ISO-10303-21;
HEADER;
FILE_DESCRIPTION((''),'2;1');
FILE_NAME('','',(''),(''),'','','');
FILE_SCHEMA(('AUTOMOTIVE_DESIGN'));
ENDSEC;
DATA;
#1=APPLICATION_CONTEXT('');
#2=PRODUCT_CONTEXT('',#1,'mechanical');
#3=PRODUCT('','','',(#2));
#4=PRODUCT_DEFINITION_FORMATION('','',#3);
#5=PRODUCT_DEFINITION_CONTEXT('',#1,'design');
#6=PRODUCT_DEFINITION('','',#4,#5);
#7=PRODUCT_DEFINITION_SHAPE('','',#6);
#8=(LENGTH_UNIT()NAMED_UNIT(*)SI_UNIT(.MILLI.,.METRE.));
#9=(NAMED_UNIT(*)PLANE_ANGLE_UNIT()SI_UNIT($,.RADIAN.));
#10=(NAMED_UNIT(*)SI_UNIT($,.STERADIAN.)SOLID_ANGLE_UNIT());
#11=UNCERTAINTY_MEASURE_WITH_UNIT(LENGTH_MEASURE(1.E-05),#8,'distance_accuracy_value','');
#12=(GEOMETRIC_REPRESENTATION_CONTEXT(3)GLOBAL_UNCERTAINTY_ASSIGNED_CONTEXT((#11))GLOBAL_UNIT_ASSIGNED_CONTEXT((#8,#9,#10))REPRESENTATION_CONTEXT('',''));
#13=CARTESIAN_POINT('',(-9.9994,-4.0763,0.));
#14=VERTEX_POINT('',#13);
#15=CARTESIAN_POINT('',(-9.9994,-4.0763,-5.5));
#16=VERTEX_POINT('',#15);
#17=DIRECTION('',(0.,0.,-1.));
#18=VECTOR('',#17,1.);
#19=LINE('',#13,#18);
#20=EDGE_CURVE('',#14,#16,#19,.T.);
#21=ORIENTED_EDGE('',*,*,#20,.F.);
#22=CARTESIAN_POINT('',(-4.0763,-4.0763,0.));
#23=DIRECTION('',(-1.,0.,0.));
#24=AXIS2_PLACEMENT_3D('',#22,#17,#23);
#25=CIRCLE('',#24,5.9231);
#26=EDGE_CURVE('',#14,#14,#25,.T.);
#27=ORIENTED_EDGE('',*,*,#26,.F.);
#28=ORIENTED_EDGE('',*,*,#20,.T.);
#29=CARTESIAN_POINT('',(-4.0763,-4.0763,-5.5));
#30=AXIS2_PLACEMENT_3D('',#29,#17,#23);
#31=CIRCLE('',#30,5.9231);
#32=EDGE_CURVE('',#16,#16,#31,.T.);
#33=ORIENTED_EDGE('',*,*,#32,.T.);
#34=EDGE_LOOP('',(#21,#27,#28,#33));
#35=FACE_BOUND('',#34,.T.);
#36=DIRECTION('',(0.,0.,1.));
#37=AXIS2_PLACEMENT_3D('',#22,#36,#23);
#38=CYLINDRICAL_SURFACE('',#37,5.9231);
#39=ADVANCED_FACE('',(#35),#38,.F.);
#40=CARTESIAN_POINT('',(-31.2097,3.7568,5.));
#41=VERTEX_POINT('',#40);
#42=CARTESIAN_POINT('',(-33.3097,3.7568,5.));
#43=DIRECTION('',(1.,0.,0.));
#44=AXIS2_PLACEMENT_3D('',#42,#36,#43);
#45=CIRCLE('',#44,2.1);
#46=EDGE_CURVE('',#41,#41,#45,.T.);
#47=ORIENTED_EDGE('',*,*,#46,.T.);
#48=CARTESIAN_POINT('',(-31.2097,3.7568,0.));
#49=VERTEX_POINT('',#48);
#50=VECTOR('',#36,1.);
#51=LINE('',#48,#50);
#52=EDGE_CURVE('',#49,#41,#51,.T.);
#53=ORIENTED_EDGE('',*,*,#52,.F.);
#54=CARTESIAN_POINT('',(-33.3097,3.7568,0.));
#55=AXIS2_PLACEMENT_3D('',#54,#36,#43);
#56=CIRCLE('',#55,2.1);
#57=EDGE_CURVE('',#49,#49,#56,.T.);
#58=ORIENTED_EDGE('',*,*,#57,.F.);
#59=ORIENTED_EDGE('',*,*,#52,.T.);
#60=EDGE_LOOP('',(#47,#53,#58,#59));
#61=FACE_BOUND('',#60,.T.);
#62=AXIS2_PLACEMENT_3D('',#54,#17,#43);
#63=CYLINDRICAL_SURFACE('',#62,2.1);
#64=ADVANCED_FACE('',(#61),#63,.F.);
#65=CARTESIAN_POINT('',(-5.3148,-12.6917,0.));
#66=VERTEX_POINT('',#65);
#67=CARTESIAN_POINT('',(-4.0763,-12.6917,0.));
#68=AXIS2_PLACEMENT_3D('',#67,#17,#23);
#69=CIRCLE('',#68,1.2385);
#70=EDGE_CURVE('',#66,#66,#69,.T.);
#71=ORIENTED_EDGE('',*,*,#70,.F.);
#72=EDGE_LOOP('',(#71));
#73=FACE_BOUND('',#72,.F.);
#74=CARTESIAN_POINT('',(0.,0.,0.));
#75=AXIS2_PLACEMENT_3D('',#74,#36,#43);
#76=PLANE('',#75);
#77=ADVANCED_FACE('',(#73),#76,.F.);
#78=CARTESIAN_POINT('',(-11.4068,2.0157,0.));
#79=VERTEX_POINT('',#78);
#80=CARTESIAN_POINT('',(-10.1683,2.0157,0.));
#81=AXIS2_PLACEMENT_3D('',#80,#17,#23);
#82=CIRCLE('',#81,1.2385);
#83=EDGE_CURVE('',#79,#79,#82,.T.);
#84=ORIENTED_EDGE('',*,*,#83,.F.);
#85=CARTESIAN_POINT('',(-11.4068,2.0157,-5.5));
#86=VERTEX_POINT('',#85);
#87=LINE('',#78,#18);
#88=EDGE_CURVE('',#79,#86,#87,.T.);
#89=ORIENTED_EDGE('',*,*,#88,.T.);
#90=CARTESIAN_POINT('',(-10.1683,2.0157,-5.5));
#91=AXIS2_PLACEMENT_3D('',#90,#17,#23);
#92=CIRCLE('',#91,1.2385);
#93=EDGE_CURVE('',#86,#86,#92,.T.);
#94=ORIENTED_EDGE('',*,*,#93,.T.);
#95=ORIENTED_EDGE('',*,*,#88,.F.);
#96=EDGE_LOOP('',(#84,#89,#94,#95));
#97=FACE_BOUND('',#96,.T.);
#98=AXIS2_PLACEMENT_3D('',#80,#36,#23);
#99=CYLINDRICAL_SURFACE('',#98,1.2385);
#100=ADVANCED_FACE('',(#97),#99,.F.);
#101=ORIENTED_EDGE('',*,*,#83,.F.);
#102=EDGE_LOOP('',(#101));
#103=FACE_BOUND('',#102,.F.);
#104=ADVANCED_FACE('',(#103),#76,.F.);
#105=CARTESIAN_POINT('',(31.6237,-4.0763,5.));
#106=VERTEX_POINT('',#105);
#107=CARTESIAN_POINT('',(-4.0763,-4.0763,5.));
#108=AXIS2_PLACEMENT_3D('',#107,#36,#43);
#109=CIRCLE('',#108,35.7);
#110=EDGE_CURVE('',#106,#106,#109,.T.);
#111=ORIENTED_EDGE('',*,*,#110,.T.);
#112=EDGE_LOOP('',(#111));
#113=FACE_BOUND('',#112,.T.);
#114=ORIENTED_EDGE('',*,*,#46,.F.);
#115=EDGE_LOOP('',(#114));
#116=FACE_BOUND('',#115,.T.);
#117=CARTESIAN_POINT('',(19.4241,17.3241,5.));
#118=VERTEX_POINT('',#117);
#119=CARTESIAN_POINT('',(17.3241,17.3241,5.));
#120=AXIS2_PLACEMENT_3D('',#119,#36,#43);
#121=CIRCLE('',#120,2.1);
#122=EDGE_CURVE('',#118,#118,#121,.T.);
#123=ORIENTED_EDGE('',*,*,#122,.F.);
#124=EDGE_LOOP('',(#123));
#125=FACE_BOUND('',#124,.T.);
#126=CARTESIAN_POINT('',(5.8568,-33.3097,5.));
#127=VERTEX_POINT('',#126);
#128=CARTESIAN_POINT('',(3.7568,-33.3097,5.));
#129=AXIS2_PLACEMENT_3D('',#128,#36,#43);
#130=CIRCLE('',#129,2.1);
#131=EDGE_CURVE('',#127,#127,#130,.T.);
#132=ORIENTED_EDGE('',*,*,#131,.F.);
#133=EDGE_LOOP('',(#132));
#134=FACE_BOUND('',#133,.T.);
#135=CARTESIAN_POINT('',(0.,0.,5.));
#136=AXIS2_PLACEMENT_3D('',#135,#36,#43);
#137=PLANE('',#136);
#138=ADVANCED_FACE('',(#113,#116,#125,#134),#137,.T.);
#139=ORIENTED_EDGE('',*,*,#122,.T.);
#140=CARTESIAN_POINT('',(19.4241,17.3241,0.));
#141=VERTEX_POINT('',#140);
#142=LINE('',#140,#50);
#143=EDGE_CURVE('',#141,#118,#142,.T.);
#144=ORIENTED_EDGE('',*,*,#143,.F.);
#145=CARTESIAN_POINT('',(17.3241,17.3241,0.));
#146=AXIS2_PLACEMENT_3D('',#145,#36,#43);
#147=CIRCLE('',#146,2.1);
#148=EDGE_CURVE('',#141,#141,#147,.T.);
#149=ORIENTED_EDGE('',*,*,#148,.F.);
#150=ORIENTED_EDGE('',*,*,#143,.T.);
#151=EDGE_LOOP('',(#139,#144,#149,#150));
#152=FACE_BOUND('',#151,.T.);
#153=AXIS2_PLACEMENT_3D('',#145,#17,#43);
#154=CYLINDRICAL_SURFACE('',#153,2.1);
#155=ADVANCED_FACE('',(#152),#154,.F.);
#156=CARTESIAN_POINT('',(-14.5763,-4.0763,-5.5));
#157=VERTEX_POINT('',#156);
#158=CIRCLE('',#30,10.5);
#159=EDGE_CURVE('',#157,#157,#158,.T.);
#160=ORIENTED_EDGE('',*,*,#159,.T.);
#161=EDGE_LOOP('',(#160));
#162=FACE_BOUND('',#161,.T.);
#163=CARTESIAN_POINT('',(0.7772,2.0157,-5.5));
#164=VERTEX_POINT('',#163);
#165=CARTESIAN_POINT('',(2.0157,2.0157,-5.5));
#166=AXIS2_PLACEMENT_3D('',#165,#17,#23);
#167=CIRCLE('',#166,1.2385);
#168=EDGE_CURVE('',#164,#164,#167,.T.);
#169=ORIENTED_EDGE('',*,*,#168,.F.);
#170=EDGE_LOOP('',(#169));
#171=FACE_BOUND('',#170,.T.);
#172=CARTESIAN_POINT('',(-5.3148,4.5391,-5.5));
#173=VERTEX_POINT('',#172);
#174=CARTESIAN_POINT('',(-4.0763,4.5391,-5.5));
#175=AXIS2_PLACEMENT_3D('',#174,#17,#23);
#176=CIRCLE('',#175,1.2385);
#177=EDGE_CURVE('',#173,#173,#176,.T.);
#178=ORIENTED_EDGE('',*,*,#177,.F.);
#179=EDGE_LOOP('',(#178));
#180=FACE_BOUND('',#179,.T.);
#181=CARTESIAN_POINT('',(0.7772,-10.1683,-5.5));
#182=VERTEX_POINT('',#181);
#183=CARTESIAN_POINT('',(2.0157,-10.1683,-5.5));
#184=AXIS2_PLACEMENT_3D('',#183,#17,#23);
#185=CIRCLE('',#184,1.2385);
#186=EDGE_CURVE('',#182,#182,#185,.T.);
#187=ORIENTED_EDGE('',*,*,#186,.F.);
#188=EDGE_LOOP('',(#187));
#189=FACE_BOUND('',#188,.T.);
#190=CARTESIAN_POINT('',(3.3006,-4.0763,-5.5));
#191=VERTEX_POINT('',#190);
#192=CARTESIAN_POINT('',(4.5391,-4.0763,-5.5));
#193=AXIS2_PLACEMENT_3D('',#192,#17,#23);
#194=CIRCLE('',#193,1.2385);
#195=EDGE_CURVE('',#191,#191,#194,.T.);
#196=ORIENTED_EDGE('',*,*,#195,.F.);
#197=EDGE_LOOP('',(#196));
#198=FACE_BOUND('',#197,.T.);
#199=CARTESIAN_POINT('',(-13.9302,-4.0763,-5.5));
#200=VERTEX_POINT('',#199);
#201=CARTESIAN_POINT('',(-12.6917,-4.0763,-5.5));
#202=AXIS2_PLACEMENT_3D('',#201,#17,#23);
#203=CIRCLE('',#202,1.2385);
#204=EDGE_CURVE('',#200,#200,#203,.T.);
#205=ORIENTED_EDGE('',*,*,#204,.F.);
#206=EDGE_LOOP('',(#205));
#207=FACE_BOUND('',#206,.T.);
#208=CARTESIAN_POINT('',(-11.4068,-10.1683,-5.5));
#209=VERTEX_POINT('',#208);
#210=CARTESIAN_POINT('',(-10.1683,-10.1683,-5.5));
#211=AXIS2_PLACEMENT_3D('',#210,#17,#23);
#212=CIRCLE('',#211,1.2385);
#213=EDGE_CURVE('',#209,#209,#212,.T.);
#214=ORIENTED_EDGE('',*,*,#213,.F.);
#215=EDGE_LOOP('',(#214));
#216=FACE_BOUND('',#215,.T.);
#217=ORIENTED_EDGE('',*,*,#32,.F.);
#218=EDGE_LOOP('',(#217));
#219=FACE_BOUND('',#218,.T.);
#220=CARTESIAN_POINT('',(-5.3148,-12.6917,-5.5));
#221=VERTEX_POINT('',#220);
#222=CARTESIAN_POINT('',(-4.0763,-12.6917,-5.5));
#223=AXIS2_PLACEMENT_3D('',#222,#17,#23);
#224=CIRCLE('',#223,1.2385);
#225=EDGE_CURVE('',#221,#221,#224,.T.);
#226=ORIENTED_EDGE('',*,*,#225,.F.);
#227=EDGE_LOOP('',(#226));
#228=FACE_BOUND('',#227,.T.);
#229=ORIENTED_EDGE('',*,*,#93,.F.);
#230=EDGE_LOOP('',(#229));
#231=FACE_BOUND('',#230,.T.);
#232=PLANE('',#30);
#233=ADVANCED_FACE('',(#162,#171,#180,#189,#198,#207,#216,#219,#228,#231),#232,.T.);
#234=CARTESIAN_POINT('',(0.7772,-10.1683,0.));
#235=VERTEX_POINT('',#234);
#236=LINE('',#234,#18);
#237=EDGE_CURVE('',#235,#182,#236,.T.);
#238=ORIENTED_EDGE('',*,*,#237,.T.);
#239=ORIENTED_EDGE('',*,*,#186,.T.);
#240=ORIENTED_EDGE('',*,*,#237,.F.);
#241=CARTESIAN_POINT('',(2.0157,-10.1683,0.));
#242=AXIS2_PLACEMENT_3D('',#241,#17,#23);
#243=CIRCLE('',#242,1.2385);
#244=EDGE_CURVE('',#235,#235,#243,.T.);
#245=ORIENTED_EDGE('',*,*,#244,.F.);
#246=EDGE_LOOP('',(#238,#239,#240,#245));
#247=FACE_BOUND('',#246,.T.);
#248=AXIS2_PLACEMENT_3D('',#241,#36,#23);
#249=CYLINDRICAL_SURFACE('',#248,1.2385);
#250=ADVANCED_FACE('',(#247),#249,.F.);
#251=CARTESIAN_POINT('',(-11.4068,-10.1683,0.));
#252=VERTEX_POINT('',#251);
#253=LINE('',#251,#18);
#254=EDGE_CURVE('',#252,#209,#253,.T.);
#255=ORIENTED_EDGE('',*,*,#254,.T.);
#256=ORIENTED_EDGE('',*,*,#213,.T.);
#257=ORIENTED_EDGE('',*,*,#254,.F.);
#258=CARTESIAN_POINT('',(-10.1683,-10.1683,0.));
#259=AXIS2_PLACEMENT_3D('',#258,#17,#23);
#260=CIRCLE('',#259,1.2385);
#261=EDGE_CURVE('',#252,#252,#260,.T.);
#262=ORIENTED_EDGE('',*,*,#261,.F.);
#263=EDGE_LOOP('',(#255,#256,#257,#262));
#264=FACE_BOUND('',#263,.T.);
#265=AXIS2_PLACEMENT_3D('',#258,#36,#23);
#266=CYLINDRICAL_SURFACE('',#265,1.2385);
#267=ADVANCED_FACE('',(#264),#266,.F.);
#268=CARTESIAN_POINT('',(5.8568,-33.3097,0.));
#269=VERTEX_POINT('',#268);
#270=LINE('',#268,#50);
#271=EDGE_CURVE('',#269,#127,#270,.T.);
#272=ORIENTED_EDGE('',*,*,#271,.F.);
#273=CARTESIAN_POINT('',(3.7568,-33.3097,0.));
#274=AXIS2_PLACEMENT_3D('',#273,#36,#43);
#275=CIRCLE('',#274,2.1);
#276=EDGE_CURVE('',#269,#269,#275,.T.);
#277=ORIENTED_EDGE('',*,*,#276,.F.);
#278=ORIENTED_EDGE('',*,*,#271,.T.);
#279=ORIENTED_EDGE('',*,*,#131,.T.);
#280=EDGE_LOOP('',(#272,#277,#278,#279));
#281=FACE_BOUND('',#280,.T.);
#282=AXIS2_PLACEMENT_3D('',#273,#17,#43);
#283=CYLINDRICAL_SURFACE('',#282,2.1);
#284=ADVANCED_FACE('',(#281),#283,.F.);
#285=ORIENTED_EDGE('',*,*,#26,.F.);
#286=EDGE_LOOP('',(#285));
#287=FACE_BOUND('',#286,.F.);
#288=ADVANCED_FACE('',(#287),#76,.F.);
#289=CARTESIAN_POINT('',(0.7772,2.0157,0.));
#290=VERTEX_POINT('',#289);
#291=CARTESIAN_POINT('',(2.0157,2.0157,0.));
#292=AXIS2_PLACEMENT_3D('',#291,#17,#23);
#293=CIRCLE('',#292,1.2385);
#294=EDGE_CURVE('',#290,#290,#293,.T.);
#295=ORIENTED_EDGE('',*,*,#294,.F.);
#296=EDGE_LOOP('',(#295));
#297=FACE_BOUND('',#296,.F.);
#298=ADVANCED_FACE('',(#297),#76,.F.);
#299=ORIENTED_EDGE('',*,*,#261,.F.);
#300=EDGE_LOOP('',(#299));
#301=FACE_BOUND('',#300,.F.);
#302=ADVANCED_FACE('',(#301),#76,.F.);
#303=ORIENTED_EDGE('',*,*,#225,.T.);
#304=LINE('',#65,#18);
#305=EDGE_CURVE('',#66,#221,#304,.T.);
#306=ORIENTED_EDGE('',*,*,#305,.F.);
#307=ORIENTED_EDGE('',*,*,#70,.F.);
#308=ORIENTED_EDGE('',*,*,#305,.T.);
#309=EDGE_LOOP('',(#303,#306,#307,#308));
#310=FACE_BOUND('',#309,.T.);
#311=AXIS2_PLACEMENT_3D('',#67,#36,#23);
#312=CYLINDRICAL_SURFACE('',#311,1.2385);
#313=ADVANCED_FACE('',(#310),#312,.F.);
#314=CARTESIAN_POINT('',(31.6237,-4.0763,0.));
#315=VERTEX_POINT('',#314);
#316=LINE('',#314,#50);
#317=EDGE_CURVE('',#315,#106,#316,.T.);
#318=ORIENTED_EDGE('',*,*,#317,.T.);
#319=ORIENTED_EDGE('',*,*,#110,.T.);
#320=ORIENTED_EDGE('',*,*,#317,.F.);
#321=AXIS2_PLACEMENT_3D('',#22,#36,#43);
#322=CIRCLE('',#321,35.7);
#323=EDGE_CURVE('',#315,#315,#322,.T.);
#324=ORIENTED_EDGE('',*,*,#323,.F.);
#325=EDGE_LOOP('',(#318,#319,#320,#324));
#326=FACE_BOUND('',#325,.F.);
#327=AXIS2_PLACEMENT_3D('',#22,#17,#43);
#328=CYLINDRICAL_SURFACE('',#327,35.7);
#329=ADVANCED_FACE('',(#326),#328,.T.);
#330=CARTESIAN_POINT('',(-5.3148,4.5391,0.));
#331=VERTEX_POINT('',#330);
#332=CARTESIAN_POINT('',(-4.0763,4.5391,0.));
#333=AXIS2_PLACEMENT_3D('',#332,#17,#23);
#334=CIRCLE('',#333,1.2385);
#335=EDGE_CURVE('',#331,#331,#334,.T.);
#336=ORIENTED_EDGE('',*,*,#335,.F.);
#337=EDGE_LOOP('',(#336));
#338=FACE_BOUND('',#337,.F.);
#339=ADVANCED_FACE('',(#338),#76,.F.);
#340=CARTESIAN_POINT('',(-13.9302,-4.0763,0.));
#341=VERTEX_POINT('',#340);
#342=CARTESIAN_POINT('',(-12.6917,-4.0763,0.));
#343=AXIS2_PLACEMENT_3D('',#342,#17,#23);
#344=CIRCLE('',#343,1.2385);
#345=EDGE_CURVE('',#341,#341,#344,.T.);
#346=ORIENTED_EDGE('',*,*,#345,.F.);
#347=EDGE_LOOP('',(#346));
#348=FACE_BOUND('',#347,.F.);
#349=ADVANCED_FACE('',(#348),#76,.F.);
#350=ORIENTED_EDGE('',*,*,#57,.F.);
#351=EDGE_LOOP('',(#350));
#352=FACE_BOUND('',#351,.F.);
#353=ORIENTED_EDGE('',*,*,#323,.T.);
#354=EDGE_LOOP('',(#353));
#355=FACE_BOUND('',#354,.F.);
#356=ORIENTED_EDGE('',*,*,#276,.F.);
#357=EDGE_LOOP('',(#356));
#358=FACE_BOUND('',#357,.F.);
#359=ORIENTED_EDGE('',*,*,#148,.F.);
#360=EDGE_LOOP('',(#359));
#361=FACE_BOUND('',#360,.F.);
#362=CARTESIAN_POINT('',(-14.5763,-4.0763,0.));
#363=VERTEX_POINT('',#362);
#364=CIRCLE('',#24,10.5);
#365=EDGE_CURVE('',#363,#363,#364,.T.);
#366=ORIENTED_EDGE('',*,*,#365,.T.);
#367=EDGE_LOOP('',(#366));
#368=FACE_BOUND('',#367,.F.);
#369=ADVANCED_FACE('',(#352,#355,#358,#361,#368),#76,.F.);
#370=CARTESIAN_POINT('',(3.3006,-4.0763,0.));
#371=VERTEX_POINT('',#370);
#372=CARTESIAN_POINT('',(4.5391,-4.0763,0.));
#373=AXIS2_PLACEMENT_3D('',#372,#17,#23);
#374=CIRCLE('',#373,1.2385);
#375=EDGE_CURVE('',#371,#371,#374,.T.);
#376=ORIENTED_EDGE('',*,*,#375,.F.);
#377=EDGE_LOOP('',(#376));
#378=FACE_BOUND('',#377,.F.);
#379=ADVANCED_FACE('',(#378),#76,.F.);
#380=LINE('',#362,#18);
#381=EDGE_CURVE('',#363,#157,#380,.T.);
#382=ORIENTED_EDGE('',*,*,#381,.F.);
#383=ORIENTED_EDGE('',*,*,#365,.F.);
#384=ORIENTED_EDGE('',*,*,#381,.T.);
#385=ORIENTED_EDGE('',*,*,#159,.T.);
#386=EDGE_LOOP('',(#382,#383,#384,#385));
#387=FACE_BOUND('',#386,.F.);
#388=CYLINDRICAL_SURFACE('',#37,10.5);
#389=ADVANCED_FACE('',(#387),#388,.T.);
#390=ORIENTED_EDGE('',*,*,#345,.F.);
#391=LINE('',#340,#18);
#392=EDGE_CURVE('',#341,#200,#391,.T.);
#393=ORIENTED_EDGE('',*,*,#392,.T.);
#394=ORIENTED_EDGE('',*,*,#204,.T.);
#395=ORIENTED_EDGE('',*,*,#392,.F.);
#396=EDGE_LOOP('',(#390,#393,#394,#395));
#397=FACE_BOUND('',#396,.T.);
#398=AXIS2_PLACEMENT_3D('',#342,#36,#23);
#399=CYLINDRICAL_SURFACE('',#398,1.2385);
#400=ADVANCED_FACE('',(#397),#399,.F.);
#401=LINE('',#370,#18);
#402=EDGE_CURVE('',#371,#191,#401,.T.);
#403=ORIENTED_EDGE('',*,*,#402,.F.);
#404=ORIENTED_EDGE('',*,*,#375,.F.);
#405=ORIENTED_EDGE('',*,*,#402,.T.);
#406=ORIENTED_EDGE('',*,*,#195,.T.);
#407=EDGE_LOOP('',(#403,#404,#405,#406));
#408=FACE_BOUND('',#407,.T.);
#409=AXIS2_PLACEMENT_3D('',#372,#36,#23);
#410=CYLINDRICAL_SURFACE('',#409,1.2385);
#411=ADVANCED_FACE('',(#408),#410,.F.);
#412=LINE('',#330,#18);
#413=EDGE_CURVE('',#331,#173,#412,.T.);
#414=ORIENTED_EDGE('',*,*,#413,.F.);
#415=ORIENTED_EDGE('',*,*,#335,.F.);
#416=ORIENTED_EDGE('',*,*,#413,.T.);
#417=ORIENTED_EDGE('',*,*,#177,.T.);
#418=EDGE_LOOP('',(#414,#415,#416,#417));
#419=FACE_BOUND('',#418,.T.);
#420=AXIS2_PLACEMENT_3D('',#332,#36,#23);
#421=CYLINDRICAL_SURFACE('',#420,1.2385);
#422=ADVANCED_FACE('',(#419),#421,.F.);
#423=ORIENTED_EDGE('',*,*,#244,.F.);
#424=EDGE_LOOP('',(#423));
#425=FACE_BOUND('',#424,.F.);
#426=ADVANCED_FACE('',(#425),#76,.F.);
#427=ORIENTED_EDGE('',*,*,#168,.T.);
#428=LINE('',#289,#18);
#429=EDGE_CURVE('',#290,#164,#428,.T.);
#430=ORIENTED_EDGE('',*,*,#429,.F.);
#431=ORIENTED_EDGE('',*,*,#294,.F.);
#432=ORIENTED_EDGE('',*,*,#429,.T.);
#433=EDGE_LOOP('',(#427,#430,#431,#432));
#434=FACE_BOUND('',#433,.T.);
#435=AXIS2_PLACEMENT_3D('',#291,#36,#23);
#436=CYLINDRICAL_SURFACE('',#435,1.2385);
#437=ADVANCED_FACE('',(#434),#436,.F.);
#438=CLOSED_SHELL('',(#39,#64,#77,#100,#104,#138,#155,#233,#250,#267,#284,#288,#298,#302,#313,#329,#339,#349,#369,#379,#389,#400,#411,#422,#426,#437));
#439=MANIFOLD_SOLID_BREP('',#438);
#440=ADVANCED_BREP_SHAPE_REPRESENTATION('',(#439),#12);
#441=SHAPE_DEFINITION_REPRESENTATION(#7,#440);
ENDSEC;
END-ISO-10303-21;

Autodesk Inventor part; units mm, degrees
ref_plane "YZ Plane" through (0, 0, 0) normal (1, 0, 0) x (0, 1, 0)
ref_plane "XZ Plane" through (0, 0, 0) normal (0, 1, 0) x (-1, 0, 0)
ref_plane "XY Plane" through (0, 0, 0) normal (0, 0, 1) x (1, 0, 0)
sketch "スケッチ1" plane through (0, 0, 0) normal (0, 0, 1) x (1, 0, 0)
  circle A0 centre (-4.0763, -4.0763) radius 35.7
  circle A1 centre (-4.0763, -4.0763) radius 35.7
  circle A2 centre (-33.3097, 3.7568) radius 2.1
  circle A3 centre (3.7568, -33.3097) radius 2.1
  circle A4 centre (17.3241, 17.3241) radius 2.1
  dimension "d0" = 4.2
  dimension "d1" = 4.2
  dimension "d2" = 4.2
  dimension "d3" = 71.4
extrude "押し出し1" add sketch "スケッチ1" along normal blind 5
sketch "スケッチ3" plane through (-4.0763, -4.0763, 0) normal (0, 0, -1) x (-1, 0, 0)
  circle A0 centre (0, 0) radius 10.5
  circle A1 centre (-6.092, 6.092) radius 1.2385
  circle A2 centre (-8.6154, 0) radius 1.2385
  circle A3 centre (-6.092, -6.092) radius 1.2385
  circle A4 centre (0, -8.6154) radius 1.2385
  circle A5 centre (6.092, -6.092) radius 1.2385
  circle A6 centre (0, 8.6154) radius 1.2385
  circle A7 centre (6.092, 6.092) radius 1.2385
  circle A8 centre (8.6154, 0) radius 1.2385
  circle A9 centre (0, 0) radius 5.9231
  point P0 (-4.0763, 4.0763)
  dimension "d12" = 21
extrude "押し出し3" add sketch "スケッチ3" along normal blind 5.5
properties part number "rotate_plate_2"
